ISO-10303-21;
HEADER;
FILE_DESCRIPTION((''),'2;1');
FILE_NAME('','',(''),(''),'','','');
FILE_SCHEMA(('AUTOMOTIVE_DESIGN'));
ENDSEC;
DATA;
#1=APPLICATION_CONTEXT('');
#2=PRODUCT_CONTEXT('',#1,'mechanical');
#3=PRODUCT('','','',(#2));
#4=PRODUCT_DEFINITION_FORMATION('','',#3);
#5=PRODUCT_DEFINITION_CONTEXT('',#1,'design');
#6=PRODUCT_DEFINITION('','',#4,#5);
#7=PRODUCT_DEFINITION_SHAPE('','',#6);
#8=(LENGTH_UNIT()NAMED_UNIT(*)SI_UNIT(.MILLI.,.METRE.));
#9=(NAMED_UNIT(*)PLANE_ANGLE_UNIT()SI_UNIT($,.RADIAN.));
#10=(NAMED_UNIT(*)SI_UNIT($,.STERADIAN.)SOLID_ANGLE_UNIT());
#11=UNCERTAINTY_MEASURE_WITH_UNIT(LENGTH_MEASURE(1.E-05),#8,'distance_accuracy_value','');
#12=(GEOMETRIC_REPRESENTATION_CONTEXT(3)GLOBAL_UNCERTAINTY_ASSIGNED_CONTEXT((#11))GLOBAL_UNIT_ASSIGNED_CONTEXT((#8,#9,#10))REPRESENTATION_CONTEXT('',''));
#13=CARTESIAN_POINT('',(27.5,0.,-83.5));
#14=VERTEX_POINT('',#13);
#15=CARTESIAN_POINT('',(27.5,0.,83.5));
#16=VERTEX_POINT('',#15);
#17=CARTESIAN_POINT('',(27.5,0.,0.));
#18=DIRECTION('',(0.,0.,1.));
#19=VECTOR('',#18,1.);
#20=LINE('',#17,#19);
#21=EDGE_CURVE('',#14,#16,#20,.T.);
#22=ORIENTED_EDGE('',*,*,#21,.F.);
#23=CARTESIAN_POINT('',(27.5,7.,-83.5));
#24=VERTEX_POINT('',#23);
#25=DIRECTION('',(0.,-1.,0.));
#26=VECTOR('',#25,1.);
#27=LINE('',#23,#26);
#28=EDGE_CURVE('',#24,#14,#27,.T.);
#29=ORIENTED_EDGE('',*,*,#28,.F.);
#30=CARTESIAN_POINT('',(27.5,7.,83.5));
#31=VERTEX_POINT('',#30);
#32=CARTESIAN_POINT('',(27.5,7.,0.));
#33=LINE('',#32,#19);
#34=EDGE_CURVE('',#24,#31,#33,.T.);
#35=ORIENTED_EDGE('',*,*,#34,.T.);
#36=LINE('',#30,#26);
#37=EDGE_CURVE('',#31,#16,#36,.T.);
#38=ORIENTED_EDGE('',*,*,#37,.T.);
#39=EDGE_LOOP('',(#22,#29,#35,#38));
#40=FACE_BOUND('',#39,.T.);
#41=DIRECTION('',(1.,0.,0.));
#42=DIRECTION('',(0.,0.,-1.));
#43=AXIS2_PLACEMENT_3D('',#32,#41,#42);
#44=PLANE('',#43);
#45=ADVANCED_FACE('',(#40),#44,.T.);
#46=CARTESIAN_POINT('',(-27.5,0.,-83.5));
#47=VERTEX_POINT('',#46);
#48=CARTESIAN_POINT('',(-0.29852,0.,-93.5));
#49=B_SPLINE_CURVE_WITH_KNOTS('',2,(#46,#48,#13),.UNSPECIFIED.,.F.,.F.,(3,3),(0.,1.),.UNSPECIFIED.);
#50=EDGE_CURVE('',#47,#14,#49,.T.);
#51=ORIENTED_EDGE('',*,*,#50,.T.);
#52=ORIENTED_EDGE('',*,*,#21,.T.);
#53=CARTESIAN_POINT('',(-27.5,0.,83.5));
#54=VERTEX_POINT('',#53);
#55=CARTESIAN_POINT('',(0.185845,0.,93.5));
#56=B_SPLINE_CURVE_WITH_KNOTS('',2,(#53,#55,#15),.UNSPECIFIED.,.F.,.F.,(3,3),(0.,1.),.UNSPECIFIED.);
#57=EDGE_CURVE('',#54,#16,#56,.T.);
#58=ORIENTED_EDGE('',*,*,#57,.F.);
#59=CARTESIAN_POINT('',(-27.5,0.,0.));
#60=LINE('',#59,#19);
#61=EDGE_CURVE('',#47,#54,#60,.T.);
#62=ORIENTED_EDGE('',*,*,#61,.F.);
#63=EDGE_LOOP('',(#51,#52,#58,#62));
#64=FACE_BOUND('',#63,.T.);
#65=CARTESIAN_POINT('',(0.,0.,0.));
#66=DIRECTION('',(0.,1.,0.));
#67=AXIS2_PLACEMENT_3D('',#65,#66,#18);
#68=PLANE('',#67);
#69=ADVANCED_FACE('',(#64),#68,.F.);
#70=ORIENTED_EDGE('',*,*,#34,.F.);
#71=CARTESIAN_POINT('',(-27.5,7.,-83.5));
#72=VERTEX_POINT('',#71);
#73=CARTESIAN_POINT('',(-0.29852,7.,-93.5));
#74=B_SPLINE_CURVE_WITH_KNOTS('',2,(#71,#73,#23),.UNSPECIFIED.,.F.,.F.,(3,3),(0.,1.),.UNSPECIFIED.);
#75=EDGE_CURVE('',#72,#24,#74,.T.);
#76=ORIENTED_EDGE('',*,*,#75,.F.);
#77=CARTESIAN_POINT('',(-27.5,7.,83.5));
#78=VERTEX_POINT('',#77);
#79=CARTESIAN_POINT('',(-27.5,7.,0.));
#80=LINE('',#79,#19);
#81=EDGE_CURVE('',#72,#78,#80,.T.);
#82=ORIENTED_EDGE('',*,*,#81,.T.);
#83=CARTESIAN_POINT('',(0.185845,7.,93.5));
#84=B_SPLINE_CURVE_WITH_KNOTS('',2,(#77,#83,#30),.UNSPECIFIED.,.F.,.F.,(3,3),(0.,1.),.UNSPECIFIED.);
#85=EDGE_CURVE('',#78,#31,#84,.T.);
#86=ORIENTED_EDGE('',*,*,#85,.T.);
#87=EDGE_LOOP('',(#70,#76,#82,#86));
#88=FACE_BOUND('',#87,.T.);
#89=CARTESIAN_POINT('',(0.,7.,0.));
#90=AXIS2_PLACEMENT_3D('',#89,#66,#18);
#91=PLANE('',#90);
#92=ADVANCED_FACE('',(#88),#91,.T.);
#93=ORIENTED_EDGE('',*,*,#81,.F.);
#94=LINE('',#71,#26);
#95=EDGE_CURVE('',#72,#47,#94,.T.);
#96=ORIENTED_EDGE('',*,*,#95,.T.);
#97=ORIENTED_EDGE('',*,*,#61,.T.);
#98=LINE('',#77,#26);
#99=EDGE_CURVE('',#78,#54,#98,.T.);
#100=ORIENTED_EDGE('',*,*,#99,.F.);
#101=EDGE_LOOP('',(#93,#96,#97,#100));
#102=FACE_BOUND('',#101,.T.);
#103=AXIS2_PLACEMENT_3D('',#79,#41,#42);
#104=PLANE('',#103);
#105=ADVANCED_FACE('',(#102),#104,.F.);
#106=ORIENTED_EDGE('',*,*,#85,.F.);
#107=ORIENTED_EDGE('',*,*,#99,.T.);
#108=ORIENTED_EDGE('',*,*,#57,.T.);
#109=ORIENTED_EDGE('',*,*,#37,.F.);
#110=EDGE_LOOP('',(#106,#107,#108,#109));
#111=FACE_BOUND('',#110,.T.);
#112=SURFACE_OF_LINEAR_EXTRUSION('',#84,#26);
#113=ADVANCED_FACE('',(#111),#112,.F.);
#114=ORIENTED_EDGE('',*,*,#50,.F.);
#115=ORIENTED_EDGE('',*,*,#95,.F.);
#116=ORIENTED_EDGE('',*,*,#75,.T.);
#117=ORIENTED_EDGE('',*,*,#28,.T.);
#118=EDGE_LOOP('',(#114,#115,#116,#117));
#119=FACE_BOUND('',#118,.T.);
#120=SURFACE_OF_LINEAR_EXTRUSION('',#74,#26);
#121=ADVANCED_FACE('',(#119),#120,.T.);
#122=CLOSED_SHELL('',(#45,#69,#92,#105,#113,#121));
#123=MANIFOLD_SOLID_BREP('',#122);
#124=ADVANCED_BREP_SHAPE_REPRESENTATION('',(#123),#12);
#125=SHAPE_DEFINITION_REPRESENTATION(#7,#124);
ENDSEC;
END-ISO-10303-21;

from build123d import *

# Parameters (mm, degrees)
SKETCH1_W           = 55
SKETCH1_H           = 167
BOSS_EXTRUDE1_DEPTH = 7


with BuildPart() as part:
    # Sketch1 → Boss-Extrude1 (new body)
    with BuildSketch(Plane(origin=(0, 0, 0), x_dir=(1, 0, 0), z_dir=(0, 1, 0))):
        with BuildLine():
            add(Edge.make_bspline(
                [(-27.5, 83.5), (-0.298519589, 93.5), (27.5, 83.5)],
                knots=[0, 0, 0, 1, 1, 1], degree=2))
            Line((27.5, 83.5), (-27.5, 83.5))
        make_face()
        Rectangle(SKETCH1_W, SKETCH1_H)
        with BuildLine():
            Line((-27.5, -83.5), (27.5, -83.5))
            add(Edge.make_bspline(
                [(-27.5, -83.5), (0.185844537, -93.5), (27.5, -83.5)],
                knots=[0, 0, 0, 1, 1, 1], degree=2))
        make_face()
    extrude(amount=BOSS_EXTRUDE1_DEPTH)


solid = part.part
